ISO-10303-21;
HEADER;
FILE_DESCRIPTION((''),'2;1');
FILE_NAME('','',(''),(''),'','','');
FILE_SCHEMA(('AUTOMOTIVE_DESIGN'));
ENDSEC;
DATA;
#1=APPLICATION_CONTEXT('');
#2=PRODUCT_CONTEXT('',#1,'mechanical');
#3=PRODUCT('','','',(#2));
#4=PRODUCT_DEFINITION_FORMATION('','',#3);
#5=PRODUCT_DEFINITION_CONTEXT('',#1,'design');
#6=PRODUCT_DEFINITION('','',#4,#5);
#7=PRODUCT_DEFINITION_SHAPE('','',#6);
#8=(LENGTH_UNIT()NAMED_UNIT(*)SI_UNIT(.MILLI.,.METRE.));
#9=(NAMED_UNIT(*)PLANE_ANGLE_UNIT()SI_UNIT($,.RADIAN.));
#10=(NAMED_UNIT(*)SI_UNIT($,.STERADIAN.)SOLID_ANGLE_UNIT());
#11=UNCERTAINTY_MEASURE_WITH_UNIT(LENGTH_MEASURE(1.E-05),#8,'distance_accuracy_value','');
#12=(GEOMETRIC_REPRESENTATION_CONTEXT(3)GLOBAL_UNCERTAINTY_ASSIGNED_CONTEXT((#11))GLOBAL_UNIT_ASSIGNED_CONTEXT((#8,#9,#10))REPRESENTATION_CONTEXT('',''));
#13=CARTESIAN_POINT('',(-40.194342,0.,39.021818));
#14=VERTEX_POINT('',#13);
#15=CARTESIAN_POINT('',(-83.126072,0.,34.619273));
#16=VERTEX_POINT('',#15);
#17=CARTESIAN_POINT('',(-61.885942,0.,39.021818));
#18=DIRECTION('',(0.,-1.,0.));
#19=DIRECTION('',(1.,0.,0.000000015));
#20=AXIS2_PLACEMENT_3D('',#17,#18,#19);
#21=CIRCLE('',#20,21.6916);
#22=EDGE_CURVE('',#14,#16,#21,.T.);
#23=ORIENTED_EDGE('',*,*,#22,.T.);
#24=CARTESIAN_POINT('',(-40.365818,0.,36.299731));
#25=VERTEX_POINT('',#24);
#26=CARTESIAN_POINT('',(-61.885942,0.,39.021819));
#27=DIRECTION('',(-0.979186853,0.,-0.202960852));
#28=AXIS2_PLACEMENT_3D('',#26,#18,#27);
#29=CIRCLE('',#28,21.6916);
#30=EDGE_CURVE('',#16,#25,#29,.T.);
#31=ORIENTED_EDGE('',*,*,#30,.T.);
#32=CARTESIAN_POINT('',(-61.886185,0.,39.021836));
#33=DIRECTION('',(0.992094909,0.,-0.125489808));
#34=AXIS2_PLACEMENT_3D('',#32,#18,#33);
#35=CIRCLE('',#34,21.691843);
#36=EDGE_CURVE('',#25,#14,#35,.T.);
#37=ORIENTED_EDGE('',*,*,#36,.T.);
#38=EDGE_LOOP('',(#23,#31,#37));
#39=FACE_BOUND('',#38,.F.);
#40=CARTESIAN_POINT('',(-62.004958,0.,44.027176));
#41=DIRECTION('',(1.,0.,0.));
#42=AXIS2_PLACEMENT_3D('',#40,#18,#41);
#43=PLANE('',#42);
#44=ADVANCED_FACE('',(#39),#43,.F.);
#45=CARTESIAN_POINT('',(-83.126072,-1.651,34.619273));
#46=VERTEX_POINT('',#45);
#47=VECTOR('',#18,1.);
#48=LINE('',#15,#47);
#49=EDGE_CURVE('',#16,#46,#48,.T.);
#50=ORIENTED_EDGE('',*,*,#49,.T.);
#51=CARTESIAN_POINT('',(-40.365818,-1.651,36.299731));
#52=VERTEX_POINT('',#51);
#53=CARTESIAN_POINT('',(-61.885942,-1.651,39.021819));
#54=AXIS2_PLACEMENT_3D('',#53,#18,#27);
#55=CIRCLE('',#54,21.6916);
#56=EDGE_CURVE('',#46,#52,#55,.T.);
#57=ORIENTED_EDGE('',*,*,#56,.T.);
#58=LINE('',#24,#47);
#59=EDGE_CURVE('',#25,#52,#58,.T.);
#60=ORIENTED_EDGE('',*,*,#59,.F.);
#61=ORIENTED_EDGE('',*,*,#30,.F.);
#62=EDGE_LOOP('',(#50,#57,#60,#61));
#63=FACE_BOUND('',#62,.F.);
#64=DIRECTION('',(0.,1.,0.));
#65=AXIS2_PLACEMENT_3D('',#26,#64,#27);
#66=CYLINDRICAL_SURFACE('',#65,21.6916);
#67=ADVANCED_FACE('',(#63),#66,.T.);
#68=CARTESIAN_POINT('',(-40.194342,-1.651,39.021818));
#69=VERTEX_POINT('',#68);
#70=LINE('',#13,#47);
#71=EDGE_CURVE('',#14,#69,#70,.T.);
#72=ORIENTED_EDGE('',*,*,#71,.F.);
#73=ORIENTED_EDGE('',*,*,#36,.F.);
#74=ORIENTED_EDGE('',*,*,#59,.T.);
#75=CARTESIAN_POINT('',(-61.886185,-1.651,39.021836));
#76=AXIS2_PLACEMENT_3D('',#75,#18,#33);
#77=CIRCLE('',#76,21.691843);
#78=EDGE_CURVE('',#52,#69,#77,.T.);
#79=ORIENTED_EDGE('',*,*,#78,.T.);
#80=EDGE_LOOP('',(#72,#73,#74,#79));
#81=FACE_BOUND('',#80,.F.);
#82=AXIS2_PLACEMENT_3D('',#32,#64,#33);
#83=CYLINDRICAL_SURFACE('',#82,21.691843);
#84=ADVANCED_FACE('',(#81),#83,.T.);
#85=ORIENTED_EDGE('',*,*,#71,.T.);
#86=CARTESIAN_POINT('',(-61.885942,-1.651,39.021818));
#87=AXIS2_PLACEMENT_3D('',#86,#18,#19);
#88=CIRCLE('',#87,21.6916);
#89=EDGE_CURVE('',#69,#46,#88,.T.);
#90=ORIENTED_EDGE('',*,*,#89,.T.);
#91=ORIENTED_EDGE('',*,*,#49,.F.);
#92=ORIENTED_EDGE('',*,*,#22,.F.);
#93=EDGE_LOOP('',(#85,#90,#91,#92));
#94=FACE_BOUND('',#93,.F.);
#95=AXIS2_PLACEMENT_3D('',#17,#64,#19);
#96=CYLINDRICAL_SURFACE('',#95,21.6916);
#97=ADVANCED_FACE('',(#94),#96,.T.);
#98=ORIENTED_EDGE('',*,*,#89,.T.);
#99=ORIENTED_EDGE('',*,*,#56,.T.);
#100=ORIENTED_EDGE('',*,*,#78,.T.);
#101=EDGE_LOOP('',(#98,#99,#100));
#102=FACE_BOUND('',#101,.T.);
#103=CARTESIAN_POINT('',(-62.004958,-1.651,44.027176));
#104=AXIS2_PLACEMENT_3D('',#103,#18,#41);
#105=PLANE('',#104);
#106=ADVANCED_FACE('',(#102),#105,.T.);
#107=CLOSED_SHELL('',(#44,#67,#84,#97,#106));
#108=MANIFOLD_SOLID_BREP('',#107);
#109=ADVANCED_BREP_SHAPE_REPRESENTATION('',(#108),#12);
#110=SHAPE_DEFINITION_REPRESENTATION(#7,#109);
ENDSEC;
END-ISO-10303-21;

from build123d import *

# Parameters (mm, degrees)
F1_DEPTH = 1.651


with BuildPart() as f1:
    # F0 (on Front) → F1 (new body)
    with BuildSketch(Plane.XZ):
        with BuildLine():
            ThreePointArc((-40.365818, 36.299731), (-40.237254, 37.658077), (-40.194342, 39.021818))
            ThreePointArc((-40.194342, 39.021818), (-64.098759, 60.600255), (-83.126072, 34.619273))
            ThreePointArc((-83.126072, 34.619273), (-61.655283, 33.152552), (-40.365818, 36.299731))
        make_face()
        with BuildLine():
            ThreePointArc((-40.365818, 36.299731), (-61.655283, 33.152552), (-83.126072, 34.619273))
            ThreePointArc((-83.126072, 34.619273), (-61.03413, 17.34695), (-40.365818, 36.299731))
        make_face()
    extrude(amount=F1_DEPTH)


solid = f1.part
